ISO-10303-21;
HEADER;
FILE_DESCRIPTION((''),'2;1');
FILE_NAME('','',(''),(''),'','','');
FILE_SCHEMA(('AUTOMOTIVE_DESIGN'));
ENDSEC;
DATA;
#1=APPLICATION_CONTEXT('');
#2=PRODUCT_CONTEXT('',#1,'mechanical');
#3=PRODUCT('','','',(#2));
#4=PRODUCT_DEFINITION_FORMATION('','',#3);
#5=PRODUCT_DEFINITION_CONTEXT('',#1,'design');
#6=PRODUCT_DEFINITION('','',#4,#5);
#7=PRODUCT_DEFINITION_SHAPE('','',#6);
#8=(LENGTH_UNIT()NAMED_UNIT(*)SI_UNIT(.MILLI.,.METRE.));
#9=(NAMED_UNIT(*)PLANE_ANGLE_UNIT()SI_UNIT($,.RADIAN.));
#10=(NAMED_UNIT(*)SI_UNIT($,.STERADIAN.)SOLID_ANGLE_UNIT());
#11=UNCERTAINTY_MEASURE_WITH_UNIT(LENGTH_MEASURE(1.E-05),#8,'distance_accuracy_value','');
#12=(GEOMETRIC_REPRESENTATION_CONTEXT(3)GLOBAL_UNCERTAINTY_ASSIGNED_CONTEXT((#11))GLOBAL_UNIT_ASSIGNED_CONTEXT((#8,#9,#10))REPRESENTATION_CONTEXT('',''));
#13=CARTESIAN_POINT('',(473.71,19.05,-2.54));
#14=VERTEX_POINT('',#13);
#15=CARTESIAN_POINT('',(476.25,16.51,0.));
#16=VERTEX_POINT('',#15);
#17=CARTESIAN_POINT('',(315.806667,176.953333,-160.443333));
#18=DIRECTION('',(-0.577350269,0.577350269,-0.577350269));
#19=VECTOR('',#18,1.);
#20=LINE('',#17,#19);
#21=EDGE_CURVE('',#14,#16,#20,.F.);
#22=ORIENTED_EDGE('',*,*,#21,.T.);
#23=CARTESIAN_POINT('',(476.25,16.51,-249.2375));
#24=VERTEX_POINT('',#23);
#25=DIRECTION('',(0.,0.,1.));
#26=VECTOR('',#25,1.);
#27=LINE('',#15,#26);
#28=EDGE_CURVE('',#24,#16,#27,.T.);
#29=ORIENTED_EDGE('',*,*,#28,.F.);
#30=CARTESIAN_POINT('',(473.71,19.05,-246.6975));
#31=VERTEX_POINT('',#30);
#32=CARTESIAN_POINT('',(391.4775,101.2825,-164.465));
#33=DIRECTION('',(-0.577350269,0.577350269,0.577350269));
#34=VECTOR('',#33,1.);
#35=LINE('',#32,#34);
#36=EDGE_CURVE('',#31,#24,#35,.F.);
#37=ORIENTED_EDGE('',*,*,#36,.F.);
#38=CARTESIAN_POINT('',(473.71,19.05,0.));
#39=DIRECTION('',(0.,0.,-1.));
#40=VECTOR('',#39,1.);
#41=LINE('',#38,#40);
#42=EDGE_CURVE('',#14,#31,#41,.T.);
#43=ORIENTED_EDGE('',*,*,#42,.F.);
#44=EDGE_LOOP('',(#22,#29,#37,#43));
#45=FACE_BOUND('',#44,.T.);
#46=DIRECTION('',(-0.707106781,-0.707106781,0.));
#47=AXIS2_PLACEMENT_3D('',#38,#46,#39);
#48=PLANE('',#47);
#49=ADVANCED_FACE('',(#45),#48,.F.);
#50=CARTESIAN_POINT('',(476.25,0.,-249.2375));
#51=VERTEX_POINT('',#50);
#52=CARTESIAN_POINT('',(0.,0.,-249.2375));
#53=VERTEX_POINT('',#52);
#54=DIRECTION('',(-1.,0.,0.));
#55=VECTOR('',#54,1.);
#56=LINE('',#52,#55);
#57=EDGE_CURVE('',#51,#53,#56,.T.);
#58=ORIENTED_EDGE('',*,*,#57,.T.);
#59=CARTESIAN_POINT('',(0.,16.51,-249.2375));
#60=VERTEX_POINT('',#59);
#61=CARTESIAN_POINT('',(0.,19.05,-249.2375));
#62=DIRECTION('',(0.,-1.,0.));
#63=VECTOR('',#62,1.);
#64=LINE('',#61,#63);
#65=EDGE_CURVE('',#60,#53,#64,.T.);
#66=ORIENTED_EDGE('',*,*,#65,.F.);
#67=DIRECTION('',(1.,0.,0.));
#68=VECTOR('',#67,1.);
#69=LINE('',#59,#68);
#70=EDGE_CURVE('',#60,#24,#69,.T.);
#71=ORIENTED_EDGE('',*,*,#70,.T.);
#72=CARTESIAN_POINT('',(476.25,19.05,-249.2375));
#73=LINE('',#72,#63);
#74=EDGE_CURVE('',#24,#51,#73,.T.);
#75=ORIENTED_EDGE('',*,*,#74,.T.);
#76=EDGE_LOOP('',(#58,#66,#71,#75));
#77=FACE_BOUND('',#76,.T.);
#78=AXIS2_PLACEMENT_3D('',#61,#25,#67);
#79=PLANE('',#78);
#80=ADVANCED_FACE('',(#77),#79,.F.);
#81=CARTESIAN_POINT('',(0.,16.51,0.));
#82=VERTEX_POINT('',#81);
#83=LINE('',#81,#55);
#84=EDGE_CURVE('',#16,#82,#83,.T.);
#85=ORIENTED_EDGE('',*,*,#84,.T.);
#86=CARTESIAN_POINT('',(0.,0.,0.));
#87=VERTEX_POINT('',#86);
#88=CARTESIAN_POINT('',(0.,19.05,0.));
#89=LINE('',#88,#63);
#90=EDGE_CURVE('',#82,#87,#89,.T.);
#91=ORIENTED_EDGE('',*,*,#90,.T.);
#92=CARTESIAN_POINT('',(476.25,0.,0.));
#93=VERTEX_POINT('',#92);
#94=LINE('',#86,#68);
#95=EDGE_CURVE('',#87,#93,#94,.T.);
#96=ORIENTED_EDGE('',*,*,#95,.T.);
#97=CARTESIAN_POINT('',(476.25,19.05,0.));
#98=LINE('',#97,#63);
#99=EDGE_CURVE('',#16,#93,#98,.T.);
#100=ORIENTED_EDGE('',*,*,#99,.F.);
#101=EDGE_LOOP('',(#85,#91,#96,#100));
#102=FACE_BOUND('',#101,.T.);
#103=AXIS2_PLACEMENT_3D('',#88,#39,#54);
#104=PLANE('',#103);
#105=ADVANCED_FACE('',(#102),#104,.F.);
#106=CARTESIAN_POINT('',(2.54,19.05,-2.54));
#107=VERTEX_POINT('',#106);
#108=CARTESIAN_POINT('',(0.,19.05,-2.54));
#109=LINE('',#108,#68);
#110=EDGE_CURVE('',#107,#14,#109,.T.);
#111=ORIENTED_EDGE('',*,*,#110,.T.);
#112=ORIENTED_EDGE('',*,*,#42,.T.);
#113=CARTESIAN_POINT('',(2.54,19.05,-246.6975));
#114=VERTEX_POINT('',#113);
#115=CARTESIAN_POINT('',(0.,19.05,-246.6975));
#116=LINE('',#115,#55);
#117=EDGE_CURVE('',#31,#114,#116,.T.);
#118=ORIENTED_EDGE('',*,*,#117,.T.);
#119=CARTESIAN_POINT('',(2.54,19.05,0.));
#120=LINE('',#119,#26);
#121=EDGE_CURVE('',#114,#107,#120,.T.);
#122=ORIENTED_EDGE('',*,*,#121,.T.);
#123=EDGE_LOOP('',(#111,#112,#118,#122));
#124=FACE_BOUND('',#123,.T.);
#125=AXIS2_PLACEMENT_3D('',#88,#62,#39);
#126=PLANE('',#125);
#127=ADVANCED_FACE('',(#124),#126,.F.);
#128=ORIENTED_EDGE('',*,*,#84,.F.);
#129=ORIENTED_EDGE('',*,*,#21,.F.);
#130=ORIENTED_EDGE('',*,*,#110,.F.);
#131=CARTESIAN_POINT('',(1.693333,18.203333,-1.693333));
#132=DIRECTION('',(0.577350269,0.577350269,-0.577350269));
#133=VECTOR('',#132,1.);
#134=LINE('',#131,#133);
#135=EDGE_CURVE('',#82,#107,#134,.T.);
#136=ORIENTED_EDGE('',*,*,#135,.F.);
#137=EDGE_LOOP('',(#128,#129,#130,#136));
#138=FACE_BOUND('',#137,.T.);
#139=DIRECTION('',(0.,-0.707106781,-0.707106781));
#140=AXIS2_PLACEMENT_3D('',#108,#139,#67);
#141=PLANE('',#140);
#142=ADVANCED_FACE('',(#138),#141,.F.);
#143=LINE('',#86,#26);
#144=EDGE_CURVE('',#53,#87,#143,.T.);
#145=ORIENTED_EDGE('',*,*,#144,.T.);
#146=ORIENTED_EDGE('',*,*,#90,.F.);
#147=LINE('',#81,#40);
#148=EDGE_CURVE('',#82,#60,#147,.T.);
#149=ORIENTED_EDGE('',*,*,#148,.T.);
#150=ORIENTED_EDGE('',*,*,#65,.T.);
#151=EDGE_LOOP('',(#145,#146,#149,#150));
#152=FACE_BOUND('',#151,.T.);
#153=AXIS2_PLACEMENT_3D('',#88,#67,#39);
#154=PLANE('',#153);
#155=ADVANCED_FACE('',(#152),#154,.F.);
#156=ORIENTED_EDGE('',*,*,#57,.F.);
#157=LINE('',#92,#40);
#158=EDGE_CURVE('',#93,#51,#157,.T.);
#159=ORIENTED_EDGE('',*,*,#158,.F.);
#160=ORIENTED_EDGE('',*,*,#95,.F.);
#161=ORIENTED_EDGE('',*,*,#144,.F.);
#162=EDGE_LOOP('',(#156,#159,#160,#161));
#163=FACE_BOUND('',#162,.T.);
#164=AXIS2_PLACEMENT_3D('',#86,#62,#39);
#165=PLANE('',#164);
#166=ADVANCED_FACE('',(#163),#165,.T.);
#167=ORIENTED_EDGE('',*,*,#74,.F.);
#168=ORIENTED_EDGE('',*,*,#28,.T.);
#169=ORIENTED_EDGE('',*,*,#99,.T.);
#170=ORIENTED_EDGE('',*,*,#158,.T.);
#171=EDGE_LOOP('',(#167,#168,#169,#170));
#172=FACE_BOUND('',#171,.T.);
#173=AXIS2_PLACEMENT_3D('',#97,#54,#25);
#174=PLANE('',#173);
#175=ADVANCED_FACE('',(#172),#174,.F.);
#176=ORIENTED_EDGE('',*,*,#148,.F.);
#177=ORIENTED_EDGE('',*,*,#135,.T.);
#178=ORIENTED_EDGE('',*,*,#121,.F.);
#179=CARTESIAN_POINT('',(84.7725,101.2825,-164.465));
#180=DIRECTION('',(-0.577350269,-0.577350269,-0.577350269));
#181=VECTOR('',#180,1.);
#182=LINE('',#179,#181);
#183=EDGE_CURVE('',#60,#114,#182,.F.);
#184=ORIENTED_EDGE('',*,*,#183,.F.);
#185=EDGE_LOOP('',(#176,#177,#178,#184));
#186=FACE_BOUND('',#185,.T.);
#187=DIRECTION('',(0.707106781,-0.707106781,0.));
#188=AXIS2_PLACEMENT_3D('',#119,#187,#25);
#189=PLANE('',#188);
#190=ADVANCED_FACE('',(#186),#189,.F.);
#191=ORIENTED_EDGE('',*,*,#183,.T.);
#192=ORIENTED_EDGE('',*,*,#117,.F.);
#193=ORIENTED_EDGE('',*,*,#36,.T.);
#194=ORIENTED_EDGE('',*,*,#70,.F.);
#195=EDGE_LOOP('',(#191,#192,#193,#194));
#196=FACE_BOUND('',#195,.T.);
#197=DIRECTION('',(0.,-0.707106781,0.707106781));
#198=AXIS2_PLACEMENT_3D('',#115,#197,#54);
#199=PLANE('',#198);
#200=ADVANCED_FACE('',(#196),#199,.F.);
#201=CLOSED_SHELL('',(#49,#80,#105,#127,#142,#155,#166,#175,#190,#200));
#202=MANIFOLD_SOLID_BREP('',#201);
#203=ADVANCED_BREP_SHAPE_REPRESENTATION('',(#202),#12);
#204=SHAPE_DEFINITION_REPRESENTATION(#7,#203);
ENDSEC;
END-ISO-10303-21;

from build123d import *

# Parameters (mm, degrees)
SKETCH1_W           = 476.25
SKETCH1_H           = 249.2375
BOSS_EXTRUDE1_DEPTH = 19.05
CHAMFER1_SIZE       = 2.54


with BuildPart() as part:
    # Sketch1 → Boss-Extrude1 (new body)
    with BuildSketch(Plane(origin=(0, 0, 0), x_dir=(1, 0, 0), z_dir=(0, 1, 0))):
        with Locations((238.125, 124.61875)):
            Rectangle(SKETCH1_W, SKETCH1_H)
    extrude(amount=BOSS_EXTRUDE1_DEPTH)

    # Chamfer1
    chamfer1_edges = [part.edges().sort_by_distance(p)[0] for p in [
        (476.25, 19.05, -124.61875),
        (238.125, 19.05, -249.2375),
        (0, 19.05, -124.61875),
        (238.125, 19.05, 0),
    ]]
    chamfer(chamfer1_edges, length=CHAMFER1_SIZE)


solid = part.part
